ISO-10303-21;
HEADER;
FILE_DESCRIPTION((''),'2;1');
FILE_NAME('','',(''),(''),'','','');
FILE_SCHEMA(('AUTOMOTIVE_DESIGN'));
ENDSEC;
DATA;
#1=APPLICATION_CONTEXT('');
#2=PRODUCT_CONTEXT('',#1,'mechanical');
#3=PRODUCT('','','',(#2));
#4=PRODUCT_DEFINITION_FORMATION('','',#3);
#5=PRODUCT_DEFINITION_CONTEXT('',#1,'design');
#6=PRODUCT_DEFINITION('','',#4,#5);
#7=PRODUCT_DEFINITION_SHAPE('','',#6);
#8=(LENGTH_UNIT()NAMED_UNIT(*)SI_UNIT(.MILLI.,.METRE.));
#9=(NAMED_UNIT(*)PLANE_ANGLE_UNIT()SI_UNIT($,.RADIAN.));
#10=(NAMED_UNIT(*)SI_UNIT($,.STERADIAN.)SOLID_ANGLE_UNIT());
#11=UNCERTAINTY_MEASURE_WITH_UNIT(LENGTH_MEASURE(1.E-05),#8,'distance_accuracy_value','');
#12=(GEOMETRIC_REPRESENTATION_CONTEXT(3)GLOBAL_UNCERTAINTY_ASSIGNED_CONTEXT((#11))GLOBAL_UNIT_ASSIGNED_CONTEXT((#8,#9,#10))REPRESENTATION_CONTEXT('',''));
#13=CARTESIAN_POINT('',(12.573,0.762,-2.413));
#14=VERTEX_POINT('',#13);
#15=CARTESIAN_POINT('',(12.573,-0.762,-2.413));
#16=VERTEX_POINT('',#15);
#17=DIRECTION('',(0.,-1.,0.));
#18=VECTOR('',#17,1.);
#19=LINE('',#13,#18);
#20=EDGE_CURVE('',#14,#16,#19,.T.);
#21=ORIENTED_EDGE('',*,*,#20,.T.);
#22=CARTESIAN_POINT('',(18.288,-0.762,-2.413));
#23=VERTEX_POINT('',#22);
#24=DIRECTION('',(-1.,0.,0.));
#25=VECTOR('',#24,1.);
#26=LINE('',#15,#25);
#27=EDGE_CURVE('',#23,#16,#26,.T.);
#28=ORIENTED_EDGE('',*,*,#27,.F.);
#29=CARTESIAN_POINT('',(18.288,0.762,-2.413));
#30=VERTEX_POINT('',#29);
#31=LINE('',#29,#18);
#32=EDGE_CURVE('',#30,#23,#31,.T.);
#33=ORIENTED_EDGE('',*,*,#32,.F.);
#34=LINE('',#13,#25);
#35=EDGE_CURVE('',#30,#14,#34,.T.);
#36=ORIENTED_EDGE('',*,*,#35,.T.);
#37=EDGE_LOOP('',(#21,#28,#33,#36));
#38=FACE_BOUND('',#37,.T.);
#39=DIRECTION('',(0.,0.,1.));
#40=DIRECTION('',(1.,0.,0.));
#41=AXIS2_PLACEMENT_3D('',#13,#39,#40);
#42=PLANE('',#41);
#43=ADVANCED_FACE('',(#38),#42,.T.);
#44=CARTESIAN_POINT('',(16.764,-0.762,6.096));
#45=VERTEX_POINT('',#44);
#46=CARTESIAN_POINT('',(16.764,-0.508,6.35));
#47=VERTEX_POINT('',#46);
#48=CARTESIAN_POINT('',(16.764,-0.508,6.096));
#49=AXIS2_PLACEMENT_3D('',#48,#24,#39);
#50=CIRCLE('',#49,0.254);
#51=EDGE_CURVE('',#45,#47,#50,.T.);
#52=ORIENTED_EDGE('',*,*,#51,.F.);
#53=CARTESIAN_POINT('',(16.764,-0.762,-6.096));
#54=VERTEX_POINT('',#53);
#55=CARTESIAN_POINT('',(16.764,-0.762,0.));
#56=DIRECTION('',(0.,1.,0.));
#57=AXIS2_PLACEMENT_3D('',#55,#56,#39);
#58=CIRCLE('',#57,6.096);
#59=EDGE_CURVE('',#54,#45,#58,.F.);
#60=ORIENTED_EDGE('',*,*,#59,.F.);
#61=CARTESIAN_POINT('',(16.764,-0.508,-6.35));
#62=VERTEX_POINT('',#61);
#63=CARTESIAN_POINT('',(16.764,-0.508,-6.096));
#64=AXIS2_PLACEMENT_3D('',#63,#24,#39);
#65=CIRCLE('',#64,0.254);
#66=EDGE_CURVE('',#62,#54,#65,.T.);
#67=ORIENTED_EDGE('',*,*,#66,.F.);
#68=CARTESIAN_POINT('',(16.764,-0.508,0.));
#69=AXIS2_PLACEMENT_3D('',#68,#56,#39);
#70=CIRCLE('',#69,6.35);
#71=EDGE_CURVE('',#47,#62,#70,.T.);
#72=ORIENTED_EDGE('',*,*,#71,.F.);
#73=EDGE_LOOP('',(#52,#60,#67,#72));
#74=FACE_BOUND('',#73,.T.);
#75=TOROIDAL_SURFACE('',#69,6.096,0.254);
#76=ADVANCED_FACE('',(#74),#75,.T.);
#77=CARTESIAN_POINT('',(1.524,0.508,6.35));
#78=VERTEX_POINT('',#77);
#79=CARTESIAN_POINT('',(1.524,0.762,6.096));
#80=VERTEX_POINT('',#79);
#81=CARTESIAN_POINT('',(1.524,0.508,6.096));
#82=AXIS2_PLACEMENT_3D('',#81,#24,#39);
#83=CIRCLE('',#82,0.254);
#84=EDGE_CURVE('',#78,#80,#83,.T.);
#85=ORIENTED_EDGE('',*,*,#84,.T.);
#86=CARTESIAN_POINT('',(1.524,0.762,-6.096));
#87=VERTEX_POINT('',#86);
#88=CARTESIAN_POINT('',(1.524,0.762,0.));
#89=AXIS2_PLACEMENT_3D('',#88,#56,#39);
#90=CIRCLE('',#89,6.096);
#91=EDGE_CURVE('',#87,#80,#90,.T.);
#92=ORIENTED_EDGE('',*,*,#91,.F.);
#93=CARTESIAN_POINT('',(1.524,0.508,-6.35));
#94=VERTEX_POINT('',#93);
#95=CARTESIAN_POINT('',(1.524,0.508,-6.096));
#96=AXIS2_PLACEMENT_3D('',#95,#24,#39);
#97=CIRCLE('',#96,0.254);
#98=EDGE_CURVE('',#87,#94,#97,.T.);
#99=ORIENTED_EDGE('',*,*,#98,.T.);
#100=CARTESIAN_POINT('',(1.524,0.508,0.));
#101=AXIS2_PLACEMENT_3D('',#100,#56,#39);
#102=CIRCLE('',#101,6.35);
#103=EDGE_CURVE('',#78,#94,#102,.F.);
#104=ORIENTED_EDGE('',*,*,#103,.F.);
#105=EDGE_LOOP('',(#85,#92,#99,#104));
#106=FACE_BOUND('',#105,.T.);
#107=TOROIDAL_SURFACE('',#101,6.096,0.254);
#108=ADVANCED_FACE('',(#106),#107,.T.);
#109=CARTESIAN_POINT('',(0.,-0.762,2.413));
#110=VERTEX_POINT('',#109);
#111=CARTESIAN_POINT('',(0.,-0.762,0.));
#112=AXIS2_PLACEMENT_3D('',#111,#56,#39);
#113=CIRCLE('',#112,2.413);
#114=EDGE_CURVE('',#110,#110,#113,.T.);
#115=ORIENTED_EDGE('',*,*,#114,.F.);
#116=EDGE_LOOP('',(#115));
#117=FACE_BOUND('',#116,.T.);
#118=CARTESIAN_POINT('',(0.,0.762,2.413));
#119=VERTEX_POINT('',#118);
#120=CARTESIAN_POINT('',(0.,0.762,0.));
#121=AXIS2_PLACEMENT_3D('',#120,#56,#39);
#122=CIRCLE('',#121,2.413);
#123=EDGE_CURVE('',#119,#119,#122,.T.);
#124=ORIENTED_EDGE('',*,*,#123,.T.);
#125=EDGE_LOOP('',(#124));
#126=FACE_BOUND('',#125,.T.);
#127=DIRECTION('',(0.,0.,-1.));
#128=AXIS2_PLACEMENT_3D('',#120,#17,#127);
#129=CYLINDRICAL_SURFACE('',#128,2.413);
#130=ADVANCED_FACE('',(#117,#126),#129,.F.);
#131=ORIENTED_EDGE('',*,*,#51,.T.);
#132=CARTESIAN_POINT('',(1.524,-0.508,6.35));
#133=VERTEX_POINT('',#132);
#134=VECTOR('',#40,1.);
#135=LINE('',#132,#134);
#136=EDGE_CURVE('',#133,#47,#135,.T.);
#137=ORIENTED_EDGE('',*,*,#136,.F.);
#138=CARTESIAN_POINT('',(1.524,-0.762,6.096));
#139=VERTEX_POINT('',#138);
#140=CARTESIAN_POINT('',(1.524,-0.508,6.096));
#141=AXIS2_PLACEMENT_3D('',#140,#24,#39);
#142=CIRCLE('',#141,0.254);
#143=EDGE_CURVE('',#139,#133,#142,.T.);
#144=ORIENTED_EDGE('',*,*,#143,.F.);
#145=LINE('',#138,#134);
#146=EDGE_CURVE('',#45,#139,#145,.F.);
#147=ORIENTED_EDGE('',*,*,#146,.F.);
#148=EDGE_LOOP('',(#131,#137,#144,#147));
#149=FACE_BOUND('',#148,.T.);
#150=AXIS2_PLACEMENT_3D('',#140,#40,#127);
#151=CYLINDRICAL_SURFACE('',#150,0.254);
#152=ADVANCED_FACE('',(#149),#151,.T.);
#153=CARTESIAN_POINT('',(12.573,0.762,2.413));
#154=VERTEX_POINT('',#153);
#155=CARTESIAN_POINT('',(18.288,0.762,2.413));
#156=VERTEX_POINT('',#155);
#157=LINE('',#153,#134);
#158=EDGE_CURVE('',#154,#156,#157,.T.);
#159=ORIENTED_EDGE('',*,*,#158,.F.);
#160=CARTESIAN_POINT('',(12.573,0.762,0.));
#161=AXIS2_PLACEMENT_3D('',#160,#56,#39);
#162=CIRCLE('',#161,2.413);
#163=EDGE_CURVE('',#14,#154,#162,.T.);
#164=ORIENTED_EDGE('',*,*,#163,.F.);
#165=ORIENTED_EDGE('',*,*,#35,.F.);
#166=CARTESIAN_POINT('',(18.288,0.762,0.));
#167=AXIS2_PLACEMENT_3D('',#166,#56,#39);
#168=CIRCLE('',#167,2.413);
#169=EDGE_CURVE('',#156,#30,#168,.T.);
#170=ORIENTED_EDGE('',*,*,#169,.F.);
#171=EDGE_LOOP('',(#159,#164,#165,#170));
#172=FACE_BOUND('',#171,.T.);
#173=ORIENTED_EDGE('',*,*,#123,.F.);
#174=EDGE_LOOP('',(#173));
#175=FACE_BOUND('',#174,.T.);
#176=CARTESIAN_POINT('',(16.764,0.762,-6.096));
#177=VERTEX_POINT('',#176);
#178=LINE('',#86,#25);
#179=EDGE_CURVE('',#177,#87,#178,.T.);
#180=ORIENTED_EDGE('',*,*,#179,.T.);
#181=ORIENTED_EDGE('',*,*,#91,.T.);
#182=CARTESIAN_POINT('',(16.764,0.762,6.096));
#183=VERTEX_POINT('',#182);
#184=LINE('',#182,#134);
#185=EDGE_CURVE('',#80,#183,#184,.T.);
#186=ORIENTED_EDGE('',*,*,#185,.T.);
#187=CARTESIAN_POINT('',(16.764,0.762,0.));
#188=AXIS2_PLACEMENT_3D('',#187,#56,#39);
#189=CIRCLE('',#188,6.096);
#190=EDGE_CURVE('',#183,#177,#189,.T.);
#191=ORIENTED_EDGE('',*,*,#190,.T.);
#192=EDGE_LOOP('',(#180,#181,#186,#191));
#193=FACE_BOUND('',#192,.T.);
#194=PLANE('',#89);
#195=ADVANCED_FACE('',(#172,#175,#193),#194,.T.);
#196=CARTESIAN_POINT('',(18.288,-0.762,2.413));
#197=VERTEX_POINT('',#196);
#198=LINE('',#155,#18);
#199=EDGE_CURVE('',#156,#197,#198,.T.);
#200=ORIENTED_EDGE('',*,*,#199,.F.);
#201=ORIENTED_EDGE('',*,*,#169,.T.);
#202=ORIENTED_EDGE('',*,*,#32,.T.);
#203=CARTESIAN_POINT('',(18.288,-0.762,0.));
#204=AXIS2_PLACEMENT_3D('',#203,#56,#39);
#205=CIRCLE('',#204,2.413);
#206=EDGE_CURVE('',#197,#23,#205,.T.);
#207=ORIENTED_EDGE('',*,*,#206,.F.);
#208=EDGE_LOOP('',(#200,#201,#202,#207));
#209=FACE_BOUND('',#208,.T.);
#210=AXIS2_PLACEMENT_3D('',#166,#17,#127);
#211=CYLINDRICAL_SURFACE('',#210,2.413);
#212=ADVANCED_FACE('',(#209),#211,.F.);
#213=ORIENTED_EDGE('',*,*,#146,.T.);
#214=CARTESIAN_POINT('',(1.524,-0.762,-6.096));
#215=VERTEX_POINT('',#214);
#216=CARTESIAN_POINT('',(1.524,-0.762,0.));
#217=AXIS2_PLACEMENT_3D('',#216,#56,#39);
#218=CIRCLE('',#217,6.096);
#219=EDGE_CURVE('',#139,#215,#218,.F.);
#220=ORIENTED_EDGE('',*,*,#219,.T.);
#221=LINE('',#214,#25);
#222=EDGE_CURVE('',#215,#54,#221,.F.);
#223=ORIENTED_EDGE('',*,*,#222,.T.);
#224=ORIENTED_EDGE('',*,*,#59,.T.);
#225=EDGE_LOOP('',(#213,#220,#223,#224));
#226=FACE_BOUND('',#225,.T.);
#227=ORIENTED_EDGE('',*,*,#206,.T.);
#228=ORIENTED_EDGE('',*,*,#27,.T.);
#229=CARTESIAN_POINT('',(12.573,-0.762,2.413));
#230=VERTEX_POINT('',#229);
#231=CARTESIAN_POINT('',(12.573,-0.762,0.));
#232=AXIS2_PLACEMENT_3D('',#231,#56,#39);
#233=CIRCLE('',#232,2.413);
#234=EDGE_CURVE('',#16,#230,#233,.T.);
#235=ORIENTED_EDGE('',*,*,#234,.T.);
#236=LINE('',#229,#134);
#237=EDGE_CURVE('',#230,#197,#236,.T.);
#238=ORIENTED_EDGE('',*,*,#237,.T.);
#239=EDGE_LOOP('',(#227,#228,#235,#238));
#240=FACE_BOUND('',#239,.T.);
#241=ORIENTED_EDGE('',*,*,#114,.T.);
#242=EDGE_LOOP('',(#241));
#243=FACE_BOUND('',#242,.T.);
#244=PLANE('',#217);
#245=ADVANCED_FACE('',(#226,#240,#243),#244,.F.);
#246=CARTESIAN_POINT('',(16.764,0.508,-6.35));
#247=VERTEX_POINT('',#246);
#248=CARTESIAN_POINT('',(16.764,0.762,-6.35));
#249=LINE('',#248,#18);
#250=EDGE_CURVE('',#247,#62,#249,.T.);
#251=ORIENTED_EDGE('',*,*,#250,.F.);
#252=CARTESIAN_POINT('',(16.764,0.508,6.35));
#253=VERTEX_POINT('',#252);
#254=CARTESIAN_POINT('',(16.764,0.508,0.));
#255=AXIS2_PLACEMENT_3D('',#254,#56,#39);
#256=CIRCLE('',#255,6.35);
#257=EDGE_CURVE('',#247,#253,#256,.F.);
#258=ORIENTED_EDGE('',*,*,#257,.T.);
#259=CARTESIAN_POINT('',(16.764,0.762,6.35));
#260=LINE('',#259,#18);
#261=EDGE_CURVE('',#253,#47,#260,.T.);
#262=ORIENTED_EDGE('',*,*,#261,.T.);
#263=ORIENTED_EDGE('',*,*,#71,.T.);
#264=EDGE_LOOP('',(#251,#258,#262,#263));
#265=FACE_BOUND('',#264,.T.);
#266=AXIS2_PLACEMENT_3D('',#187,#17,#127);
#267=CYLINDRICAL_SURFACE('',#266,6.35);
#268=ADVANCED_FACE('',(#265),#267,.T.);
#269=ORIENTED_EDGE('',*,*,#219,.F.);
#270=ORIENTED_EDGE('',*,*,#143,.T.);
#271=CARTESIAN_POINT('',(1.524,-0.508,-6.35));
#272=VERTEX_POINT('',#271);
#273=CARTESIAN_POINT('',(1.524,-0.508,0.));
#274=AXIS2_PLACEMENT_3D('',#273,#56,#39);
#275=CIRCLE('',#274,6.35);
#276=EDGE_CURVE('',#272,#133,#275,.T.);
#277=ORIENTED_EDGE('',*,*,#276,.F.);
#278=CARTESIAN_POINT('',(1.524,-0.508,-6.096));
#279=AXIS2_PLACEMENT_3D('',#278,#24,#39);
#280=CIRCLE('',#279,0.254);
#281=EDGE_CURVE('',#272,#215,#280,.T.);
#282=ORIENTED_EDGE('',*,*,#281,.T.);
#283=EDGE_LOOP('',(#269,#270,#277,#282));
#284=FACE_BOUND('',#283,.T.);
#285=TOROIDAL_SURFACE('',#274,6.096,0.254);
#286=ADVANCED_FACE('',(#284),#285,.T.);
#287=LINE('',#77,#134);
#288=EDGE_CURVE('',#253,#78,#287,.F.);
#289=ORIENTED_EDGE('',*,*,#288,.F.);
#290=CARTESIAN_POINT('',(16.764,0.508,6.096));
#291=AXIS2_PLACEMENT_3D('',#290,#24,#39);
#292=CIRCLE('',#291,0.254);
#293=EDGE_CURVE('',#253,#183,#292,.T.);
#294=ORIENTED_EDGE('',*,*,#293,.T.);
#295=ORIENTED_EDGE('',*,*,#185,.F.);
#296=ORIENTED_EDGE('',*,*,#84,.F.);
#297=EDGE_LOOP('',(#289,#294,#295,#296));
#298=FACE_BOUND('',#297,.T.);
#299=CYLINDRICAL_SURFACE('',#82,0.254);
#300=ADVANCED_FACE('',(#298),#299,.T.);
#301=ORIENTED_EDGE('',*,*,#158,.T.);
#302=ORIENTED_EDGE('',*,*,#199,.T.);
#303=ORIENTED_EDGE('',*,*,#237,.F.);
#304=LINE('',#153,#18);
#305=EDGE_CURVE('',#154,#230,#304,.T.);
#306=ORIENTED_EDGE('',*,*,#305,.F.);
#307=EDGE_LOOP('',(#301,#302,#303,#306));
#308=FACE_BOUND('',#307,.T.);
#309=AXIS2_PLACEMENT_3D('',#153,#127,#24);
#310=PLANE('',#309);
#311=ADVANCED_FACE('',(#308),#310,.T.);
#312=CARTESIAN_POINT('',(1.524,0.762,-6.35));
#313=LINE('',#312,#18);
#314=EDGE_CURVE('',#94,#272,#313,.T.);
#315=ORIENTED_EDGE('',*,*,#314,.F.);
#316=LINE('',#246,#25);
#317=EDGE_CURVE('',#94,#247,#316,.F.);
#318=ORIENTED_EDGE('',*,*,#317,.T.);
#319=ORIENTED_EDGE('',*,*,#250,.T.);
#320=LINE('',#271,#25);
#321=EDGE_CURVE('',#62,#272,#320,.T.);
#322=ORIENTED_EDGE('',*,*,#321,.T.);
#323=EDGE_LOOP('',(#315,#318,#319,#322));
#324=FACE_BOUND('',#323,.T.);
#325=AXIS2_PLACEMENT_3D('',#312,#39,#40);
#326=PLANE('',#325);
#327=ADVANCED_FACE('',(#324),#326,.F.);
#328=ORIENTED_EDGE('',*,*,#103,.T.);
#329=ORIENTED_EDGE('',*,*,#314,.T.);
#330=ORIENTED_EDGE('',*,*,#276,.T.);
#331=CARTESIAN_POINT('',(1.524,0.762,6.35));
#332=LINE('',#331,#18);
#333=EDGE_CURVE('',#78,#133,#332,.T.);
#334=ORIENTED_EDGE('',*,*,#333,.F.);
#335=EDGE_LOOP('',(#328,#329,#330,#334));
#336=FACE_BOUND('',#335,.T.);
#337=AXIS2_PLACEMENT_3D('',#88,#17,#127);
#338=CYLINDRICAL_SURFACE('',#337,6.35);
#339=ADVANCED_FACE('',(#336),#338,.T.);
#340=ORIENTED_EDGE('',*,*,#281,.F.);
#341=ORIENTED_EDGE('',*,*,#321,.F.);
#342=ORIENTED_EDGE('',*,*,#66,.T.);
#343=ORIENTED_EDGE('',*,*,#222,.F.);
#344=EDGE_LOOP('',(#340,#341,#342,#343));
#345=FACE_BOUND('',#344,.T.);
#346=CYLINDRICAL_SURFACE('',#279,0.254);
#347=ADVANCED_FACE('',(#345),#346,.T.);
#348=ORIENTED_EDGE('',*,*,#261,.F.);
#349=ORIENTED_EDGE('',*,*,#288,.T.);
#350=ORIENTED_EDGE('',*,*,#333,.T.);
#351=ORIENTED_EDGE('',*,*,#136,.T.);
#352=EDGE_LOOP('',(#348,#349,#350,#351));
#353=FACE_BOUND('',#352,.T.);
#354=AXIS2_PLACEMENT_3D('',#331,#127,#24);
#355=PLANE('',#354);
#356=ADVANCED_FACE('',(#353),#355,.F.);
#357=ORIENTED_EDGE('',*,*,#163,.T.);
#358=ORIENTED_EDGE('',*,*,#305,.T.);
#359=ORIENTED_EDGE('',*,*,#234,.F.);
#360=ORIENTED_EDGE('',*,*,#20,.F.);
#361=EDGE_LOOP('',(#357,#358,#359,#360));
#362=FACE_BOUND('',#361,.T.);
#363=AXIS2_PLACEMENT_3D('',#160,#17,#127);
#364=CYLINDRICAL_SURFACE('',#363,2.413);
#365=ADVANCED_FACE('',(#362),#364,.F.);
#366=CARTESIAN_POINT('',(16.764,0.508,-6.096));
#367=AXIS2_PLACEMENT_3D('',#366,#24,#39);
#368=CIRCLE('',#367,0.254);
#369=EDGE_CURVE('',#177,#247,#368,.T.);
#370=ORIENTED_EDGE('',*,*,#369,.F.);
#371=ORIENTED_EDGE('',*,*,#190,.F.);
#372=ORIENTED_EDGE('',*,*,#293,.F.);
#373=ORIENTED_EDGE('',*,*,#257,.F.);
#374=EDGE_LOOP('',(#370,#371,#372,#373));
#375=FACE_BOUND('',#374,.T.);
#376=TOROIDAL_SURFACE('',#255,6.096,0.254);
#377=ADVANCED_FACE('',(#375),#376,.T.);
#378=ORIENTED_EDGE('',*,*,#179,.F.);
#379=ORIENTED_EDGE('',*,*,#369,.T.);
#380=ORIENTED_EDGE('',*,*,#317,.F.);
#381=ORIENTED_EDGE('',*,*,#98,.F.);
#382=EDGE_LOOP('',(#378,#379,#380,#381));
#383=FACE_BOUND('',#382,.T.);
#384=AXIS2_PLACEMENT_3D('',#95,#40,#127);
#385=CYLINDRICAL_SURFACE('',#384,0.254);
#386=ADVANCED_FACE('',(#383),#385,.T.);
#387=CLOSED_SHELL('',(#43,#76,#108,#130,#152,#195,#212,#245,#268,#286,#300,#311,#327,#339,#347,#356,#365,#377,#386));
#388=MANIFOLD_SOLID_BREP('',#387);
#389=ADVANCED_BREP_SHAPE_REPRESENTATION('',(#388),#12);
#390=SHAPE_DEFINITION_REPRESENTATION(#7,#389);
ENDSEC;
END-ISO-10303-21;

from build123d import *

# Parameters (mm, degrees)
SKETCH1_R      = 2.413
EXTRUDE1_DEPTH = 0.762
FILLET1_R      = 0.254


with BuildPart() as part:
    # Sketch1 → Extrude1 (new body, symmetric)
    with BuildSketch(Plane(origin=(0, 0, 0), x_dir=(1, 0, 0), z_dir=(0, 1, 0))):
        with BuildLine():
            Line((1.524, -6.35), (16.764, -6.35))
            ThreePointArc((16.764, -6.35), (23.114, 0), (16.764, 6.35))
            Line((16.764, 6.35), (1.524, 6.35))
            ThreePointArc((1.524, 6.35), (-4.826, 0), (1.524, -6.35))
        make_face()
        Circle(SKETCH1_R, mode=Mode.SUBTRACT)
        with BuildLine():
            Line((12.573, 2.413), (18.288, 2.413))
            ThreePointArc((18.288, 2.413), (20.701, 0), (18.288, -2.413))
            Line((18.288, -2.413), (12.573, -2.413))
            ThreePointArc((12.573, -2.413), (10.16, 0), (12.573, 2.413))
        make_face(mode=Mode.SUBTRACT)
    extrude(amount=EXTRUDE1_DEPTH, both=True)

    # Fillet1
    fillet1_edges = [part.edges().sort_by_distance(p)[0] for p in [
        (23.114, 0.762, 0),
        (9.144, 0.762, -6.35),
        (-4.826, 0.762, 0),
        (9.144, -0.762, -6.35),
        (23.114, -0.762, 0),
        (9.144, -0.762, 6.35),
        (-4.826, -0.762, 0),
        (9.144, 0.762, 6.35),
    ]]
    fillet(fillet1_edges, radius=FILLET1_R)


solid = part.part
